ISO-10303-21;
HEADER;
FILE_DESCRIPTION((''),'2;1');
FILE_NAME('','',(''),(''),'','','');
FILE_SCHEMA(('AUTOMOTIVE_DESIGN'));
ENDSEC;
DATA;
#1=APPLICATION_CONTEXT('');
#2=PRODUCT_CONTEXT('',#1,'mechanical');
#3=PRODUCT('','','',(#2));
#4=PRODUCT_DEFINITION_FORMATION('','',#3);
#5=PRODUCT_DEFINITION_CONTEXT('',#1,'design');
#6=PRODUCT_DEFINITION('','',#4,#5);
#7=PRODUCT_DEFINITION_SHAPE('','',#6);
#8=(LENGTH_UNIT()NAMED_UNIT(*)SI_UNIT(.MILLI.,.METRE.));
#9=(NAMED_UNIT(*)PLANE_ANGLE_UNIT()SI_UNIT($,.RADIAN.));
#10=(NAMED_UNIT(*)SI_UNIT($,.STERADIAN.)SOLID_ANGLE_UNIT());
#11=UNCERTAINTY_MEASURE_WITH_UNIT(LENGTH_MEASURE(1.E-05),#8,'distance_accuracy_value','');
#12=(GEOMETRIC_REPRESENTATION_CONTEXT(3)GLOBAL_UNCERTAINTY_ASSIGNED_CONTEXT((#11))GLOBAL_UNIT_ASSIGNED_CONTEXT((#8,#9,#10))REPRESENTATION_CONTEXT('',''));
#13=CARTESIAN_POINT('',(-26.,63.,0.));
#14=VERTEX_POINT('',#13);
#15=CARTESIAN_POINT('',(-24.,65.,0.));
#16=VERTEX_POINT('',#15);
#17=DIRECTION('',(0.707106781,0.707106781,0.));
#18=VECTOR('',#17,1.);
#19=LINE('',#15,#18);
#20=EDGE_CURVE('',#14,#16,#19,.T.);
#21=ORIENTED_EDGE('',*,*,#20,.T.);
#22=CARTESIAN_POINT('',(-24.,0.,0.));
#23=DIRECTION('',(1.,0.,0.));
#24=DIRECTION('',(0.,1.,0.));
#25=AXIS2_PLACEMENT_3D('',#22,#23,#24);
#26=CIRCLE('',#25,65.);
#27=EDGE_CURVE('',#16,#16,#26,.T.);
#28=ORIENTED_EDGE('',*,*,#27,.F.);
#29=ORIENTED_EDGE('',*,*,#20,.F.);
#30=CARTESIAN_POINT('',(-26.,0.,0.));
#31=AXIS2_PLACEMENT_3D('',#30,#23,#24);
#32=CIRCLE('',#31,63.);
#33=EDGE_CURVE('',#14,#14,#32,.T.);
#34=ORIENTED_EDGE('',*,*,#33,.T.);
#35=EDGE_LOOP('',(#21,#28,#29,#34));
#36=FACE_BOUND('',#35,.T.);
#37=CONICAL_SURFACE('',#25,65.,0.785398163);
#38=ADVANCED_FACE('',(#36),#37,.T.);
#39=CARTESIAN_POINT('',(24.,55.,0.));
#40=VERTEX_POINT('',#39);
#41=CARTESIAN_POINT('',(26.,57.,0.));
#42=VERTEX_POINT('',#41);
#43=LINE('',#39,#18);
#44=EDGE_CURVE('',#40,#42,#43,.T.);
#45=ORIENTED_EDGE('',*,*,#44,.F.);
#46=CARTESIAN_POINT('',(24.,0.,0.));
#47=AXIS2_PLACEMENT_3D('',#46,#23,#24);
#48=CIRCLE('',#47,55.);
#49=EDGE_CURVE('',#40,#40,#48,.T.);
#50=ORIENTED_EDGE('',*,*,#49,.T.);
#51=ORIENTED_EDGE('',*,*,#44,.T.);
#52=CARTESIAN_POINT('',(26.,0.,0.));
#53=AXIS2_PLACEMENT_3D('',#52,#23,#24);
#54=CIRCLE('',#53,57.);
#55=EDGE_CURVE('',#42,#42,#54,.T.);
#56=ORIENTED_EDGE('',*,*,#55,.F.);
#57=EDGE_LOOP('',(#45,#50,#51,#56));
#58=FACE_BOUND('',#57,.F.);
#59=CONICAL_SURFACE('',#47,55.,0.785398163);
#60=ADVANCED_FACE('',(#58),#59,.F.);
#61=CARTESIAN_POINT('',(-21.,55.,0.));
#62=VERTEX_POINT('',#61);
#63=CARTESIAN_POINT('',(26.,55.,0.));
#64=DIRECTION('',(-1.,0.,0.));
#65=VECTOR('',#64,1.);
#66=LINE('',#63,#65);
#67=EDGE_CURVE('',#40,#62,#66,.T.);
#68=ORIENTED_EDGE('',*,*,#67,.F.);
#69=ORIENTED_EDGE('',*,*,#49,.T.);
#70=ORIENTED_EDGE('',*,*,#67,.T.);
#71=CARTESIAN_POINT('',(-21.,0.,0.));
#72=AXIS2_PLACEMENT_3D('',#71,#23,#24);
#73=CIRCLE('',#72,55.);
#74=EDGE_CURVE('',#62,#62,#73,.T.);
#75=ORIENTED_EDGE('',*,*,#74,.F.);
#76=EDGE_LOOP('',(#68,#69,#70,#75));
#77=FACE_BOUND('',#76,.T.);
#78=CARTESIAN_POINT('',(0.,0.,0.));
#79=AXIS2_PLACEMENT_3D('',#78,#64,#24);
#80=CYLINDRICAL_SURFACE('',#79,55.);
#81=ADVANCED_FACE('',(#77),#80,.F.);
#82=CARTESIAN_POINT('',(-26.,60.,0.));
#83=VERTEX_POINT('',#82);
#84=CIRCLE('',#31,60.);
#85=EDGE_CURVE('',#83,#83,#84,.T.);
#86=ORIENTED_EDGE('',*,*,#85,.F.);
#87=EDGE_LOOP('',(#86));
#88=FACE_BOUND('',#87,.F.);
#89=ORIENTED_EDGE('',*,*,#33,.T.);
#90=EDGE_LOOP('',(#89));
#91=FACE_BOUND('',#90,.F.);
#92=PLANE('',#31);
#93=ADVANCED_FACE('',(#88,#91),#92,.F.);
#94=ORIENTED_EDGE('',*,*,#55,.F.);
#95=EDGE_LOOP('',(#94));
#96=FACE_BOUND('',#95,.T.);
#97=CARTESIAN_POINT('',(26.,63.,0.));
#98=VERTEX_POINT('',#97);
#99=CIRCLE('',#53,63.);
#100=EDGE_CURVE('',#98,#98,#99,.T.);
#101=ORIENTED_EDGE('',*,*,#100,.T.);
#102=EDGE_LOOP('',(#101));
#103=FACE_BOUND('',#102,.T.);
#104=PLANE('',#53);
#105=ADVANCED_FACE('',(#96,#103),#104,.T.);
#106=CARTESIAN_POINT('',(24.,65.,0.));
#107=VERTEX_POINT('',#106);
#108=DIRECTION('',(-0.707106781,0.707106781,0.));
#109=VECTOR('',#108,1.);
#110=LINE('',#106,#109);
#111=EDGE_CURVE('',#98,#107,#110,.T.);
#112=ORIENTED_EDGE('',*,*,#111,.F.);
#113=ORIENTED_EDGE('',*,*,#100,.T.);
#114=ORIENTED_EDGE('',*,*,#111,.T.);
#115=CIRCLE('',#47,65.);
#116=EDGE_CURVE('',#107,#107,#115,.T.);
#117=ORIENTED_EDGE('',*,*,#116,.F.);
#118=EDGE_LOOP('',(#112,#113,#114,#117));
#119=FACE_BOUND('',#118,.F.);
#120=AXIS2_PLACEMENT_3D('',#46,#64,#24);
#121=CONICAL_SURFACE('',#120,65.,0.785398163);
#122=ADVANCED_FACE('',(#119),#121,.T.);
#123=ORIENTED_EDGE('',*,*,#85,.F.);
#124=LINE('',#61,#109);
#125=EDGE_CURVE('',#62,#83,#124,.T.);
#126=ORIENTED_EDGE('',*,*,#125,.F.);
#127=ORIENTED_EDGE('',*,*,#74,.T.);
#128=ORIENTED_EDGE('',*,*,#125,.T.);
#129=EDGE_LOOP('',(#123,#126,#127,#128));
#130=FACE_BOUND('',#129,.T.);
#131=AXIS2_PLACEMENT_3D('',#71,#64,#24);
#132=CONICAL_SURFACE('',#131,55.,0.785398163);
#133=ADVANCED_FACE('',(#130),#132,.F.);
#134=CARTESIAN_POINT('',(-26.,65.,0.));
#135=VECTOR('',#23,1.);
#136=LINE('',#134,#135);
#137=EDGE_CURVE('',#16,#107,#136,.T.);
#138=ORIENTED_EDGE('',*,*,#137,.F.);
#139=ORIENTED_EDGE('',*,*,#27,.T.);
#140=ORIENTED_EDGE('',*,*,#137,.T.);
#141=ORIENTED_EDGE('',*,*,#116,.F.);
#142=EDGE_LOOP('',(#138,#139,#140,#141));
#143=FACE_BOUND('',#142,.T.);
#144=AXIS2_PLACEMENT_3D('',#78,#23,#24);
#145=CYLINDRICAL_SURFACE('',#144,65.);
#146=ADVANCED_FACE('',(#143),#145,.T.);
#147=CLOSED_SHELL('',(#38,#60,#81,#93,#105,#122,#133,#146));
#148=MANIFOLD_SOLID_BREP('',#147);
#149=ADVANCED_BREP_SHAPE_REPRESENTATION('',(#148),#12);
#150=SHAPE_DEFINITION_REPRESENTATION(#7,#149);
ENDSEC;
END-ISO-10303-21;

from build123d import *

# Parameters (mm, degrees)
F0_R     = 65
F0_R_2   = 55
F1_DEPTH = 26
F2_SIZE  = 5
F3_SIZE  = 2


with BuildPart() as f1:
    # F0 (on Right) → F1 (new body, symmetric)
    with BuildSketch(Plane.YZ):
        Circle(F0_R)
        Circle(F0_R_2, mode=Mode.SUBTRACT)
    extrude(amount=F1_DEPTH, both=True)

    # F2
    f2_edges = [f1.edges().sort_by_distance(p)[0] for p in [
        (-26, -55, 0),
    ]]
    chamfer(f2_edges, length=F2_SIZE)

    # F3
    f3_edges = [f1.edges().sort_by_distance(p)[0] for p in [
        (-26, -65, 0),
        (26, -65, 0),
        (26, -55, 0),
    ]]
    chamfer(f3_edges, length=F3_SIZE)


solid = f1.part
